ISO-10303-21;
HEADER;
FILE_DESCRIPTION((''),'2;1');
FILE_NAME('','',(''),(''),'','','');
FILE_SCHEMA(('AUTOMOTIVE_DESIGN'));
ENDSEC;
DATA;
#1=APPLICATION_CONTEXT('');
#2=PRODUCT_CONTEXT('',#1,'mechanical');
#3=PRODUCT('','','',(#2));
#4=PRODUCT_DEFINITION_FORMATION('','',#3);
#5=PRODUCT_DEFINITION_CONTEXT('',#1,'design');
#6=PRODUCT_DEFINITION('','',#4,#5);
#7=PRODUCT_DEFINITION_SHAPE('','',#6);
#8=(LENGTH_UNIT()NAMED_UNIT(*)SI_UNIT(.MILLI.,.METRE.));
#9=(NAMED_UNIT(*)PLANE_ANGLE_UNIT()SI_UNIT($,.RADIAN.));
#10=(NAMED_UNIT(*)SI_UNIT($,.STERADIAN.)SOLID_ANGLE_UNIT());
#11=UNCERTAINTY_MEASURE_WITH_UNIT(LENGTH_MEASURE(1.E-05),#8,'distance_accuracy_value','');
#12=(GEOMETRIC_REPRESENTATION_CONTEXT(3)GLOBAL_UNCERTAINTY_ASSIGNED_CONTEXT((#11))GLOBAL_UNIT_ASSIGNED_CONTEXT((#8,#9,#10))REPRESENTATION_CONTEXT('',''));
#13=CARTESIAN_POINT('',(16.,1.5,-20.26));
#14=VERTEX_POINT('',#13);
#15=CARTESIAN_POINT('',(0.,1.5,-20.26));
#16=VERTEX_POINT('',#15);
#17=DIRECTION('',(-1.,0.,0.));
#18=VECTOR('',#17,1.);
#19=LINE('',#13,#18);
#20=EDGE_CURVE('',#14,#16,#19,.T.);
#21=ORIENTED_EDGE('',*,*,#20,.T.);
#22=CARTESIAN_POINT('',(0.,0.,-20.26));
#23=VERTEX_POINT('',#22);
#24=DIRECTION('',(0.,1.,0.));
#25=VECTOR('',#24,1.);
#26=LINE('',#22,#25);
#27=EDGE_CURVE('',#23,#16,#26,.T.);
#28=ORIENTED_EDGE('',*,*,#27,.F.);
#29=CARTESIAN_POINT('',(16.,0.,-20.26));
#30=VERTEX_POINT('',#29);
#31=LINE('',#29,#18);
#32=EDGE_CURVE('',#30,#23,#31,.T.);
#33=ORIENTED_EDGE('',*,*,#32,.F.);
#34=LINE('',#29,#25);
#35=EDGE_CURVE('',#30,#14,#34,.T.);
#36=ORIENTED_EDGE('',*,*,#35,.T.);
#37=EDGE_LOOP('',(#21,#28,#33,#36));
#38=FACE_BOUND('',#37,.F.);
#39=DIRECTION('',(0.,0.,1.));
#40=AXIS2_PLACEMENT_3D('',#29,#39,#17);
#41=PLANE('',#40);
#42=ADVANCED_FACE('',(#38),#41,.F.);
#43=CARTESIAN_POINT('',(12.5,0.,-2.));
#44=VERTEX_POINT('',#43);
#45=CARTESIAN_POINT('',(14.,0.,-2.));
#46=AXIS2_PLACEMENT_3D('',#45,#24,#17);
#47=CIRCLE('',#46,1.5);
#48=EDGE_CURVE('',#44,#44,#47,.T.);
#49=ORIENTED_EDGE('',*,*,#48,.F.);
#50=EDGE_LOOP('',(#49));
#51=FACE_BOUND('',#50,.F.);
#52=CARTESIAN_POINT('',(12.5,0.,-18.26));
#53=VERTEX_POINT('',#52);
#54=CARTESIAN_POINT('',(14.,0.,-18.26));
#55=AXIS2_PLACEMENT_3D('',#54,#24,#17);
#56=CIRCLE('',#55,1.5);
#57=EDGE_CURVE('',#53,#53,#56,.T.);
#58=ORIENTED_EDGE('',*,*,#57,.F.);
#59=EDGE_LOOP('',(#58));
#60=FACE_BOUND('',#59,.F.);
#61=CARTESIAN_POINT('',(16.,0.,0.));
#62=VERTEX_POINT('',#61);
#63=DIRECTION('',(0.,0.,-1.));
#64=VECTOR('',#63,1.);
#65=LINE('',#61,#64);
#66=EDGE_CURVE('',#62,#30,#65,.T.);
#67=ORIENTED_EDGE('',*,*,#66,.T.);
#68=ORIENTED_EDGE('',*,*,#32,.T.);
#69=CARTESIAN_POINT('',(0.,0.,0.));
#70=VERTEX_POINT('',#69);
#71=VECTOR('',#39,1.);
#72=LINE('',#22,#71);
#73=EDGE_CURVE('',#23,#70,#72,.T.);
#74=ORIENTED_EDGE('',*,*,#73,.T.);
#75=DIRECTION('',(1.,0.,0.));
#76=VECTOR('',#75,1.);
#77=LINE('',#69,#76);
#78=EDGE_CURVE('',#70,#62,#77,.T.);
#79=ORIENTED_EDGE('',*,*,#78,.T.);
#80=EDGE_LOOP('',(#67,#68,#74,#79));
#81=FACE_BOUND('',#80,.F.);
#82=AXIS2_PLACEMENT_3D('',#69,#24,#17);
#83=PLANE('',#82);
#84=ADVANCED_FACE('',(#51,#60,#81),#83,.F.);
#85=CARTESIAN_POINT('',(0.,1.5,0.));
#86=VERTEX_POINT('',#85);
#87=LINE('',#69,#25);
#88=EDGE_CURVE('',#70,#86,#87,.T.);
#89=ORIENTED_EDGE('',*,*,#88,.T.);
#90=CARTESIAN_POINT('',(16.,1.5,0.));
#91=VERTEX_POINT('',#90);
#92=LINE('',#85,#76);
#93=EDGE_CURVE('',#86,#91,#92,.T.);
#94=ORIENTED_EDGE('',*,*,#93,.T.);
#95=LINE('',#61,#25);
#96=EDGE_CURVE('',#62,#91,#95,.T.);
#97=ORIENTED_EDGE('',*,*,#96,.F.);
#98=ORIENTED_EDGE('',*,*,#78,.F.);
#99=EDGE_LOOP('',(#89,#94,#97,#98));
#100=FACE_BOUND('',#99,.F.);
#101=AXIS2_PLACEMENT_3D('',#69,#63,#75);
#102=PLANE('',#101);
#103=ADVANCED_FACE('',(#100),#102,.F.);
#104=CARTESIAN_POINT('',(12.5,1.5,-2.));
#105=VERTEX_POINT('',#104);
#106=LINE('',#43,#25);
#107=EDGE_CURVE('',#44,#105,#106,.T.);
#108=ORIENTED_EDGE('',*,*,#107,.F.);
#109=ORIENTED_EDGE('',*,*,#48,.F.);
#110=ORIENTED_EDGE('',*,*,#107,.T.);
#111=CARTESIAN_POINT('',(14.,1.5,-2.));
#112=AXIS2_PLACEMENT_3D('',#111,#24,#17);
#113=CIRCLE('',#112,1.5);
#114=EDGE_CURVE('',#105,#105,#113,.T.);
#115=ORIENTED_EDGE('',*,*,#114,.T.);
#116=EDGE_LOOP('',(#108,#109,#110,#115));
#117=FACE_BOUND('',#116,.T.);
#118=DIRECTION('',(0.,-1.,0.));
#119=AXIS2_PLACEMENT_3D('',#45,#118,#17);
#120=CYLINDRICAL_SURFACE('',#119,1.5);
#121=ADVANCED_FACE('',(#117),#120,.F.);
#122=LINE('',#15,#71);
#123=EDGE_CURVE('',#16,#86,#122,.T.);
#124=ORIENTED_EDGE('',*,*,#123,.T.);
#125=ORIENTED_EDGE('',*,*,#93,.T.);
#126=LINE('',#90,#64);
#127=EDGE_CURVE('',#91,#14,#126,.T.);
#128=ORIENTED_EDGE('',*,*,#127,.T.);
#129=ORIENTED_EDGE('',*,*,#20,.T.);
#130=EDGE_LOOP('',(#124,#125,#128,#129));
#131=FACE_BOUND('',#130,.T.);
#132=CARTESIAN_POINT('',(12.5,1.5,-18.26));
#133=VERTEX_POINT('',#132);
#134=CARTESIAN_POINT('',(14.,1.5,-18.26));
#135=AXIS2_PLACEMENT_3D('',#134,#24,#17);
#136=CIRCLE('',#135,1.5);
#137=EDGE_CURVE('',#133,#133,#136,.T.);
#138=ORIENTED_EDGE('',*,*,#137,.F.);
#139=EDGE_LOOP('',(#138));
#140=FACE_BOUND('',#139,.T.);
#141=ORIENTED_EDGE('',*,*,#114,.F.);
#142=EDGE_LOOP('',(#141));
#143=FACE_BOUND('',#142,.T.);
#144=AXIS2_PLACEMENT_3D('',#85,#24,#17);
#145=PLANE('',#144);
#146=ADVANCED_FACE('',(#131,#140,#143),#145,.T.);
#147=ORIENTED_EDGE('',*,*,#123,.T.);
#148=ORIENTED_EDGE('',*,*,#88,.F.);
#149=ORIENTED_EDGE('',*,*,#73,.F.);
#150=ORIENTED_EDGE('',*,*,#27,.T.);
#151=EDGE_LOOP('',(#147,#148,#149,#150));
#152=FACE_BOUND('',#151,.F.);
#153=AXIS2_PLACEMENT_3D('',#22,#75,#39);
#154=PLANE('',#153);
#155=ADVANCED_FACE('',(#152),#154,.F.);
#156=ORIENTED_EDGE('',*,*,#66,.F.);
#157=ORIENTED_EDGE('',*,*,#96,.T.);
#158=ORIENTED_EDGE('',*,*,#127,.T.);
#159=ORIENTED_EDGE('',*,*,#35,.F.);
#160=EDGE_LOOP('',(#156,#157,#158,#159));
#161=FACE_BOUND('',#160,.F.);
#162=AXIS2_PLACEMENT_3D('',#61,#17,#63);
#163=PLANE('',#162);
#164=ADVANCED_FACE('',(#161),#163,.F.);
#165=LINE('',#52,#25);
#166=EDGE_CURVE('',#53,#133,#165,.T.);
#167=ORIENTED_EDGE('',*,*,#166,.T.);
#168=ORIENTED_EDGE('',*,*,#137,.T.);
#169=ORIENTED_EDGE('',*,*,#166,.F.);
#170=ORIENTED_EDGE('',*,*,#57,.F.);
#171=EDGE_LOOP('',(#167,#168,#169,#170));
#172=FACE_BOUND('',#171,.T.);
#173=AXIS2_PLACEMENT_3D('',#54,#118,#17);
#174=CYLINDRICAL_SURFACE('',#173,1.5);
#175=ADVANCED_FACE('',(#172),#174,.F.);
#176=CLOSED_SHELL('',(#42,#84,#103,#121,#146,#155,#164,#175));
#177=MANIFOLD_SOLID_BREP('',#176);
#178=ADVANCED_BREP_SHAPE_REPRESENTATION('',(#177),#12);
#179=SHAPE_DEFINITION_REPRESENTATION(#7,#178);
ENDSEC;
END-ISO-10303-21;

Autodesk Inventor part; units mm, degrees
ref_plane "YZ Plane" through (0, 0, 0) normal (1, 0, 0) x (0, 1, 0)
ref_plane "XZ Plane" through (0, 0, 0) normal (0, 1, 0) x (-1, 0, 0)
ref_plane "XY Plane" through (0, 0, 0) normal (0, 0, 1) x (1, 0, 0)
sketch "Sketch1" plane through (0, 0, 0) normal (0, 1, 0) x (-1, 0, 0)
  line L0 (0, 0) -> (-16, 0)
  line L1 (-16, 0) -> (-16, -20.26)
  line L2 (-16, -20.26) -> (0, -20.26)
  line L3 (0, -20.26) -> (0, 0)
  circle A0 centre (-14, -18.26) radius 1.5
  circle A1 centre (-14, -2) radius 1.5
  dimension "d0" = 20.26
  dimension "d1" = 16
  dimension "d2" = 3
  dimension "d3" = 2
  dimension "d4" = 2
  dimension "d5" = 2
extrude "Extrusion1" add sketch "Sketch1" along normal blind 1.5
properties part number "IMU SENSOR"
